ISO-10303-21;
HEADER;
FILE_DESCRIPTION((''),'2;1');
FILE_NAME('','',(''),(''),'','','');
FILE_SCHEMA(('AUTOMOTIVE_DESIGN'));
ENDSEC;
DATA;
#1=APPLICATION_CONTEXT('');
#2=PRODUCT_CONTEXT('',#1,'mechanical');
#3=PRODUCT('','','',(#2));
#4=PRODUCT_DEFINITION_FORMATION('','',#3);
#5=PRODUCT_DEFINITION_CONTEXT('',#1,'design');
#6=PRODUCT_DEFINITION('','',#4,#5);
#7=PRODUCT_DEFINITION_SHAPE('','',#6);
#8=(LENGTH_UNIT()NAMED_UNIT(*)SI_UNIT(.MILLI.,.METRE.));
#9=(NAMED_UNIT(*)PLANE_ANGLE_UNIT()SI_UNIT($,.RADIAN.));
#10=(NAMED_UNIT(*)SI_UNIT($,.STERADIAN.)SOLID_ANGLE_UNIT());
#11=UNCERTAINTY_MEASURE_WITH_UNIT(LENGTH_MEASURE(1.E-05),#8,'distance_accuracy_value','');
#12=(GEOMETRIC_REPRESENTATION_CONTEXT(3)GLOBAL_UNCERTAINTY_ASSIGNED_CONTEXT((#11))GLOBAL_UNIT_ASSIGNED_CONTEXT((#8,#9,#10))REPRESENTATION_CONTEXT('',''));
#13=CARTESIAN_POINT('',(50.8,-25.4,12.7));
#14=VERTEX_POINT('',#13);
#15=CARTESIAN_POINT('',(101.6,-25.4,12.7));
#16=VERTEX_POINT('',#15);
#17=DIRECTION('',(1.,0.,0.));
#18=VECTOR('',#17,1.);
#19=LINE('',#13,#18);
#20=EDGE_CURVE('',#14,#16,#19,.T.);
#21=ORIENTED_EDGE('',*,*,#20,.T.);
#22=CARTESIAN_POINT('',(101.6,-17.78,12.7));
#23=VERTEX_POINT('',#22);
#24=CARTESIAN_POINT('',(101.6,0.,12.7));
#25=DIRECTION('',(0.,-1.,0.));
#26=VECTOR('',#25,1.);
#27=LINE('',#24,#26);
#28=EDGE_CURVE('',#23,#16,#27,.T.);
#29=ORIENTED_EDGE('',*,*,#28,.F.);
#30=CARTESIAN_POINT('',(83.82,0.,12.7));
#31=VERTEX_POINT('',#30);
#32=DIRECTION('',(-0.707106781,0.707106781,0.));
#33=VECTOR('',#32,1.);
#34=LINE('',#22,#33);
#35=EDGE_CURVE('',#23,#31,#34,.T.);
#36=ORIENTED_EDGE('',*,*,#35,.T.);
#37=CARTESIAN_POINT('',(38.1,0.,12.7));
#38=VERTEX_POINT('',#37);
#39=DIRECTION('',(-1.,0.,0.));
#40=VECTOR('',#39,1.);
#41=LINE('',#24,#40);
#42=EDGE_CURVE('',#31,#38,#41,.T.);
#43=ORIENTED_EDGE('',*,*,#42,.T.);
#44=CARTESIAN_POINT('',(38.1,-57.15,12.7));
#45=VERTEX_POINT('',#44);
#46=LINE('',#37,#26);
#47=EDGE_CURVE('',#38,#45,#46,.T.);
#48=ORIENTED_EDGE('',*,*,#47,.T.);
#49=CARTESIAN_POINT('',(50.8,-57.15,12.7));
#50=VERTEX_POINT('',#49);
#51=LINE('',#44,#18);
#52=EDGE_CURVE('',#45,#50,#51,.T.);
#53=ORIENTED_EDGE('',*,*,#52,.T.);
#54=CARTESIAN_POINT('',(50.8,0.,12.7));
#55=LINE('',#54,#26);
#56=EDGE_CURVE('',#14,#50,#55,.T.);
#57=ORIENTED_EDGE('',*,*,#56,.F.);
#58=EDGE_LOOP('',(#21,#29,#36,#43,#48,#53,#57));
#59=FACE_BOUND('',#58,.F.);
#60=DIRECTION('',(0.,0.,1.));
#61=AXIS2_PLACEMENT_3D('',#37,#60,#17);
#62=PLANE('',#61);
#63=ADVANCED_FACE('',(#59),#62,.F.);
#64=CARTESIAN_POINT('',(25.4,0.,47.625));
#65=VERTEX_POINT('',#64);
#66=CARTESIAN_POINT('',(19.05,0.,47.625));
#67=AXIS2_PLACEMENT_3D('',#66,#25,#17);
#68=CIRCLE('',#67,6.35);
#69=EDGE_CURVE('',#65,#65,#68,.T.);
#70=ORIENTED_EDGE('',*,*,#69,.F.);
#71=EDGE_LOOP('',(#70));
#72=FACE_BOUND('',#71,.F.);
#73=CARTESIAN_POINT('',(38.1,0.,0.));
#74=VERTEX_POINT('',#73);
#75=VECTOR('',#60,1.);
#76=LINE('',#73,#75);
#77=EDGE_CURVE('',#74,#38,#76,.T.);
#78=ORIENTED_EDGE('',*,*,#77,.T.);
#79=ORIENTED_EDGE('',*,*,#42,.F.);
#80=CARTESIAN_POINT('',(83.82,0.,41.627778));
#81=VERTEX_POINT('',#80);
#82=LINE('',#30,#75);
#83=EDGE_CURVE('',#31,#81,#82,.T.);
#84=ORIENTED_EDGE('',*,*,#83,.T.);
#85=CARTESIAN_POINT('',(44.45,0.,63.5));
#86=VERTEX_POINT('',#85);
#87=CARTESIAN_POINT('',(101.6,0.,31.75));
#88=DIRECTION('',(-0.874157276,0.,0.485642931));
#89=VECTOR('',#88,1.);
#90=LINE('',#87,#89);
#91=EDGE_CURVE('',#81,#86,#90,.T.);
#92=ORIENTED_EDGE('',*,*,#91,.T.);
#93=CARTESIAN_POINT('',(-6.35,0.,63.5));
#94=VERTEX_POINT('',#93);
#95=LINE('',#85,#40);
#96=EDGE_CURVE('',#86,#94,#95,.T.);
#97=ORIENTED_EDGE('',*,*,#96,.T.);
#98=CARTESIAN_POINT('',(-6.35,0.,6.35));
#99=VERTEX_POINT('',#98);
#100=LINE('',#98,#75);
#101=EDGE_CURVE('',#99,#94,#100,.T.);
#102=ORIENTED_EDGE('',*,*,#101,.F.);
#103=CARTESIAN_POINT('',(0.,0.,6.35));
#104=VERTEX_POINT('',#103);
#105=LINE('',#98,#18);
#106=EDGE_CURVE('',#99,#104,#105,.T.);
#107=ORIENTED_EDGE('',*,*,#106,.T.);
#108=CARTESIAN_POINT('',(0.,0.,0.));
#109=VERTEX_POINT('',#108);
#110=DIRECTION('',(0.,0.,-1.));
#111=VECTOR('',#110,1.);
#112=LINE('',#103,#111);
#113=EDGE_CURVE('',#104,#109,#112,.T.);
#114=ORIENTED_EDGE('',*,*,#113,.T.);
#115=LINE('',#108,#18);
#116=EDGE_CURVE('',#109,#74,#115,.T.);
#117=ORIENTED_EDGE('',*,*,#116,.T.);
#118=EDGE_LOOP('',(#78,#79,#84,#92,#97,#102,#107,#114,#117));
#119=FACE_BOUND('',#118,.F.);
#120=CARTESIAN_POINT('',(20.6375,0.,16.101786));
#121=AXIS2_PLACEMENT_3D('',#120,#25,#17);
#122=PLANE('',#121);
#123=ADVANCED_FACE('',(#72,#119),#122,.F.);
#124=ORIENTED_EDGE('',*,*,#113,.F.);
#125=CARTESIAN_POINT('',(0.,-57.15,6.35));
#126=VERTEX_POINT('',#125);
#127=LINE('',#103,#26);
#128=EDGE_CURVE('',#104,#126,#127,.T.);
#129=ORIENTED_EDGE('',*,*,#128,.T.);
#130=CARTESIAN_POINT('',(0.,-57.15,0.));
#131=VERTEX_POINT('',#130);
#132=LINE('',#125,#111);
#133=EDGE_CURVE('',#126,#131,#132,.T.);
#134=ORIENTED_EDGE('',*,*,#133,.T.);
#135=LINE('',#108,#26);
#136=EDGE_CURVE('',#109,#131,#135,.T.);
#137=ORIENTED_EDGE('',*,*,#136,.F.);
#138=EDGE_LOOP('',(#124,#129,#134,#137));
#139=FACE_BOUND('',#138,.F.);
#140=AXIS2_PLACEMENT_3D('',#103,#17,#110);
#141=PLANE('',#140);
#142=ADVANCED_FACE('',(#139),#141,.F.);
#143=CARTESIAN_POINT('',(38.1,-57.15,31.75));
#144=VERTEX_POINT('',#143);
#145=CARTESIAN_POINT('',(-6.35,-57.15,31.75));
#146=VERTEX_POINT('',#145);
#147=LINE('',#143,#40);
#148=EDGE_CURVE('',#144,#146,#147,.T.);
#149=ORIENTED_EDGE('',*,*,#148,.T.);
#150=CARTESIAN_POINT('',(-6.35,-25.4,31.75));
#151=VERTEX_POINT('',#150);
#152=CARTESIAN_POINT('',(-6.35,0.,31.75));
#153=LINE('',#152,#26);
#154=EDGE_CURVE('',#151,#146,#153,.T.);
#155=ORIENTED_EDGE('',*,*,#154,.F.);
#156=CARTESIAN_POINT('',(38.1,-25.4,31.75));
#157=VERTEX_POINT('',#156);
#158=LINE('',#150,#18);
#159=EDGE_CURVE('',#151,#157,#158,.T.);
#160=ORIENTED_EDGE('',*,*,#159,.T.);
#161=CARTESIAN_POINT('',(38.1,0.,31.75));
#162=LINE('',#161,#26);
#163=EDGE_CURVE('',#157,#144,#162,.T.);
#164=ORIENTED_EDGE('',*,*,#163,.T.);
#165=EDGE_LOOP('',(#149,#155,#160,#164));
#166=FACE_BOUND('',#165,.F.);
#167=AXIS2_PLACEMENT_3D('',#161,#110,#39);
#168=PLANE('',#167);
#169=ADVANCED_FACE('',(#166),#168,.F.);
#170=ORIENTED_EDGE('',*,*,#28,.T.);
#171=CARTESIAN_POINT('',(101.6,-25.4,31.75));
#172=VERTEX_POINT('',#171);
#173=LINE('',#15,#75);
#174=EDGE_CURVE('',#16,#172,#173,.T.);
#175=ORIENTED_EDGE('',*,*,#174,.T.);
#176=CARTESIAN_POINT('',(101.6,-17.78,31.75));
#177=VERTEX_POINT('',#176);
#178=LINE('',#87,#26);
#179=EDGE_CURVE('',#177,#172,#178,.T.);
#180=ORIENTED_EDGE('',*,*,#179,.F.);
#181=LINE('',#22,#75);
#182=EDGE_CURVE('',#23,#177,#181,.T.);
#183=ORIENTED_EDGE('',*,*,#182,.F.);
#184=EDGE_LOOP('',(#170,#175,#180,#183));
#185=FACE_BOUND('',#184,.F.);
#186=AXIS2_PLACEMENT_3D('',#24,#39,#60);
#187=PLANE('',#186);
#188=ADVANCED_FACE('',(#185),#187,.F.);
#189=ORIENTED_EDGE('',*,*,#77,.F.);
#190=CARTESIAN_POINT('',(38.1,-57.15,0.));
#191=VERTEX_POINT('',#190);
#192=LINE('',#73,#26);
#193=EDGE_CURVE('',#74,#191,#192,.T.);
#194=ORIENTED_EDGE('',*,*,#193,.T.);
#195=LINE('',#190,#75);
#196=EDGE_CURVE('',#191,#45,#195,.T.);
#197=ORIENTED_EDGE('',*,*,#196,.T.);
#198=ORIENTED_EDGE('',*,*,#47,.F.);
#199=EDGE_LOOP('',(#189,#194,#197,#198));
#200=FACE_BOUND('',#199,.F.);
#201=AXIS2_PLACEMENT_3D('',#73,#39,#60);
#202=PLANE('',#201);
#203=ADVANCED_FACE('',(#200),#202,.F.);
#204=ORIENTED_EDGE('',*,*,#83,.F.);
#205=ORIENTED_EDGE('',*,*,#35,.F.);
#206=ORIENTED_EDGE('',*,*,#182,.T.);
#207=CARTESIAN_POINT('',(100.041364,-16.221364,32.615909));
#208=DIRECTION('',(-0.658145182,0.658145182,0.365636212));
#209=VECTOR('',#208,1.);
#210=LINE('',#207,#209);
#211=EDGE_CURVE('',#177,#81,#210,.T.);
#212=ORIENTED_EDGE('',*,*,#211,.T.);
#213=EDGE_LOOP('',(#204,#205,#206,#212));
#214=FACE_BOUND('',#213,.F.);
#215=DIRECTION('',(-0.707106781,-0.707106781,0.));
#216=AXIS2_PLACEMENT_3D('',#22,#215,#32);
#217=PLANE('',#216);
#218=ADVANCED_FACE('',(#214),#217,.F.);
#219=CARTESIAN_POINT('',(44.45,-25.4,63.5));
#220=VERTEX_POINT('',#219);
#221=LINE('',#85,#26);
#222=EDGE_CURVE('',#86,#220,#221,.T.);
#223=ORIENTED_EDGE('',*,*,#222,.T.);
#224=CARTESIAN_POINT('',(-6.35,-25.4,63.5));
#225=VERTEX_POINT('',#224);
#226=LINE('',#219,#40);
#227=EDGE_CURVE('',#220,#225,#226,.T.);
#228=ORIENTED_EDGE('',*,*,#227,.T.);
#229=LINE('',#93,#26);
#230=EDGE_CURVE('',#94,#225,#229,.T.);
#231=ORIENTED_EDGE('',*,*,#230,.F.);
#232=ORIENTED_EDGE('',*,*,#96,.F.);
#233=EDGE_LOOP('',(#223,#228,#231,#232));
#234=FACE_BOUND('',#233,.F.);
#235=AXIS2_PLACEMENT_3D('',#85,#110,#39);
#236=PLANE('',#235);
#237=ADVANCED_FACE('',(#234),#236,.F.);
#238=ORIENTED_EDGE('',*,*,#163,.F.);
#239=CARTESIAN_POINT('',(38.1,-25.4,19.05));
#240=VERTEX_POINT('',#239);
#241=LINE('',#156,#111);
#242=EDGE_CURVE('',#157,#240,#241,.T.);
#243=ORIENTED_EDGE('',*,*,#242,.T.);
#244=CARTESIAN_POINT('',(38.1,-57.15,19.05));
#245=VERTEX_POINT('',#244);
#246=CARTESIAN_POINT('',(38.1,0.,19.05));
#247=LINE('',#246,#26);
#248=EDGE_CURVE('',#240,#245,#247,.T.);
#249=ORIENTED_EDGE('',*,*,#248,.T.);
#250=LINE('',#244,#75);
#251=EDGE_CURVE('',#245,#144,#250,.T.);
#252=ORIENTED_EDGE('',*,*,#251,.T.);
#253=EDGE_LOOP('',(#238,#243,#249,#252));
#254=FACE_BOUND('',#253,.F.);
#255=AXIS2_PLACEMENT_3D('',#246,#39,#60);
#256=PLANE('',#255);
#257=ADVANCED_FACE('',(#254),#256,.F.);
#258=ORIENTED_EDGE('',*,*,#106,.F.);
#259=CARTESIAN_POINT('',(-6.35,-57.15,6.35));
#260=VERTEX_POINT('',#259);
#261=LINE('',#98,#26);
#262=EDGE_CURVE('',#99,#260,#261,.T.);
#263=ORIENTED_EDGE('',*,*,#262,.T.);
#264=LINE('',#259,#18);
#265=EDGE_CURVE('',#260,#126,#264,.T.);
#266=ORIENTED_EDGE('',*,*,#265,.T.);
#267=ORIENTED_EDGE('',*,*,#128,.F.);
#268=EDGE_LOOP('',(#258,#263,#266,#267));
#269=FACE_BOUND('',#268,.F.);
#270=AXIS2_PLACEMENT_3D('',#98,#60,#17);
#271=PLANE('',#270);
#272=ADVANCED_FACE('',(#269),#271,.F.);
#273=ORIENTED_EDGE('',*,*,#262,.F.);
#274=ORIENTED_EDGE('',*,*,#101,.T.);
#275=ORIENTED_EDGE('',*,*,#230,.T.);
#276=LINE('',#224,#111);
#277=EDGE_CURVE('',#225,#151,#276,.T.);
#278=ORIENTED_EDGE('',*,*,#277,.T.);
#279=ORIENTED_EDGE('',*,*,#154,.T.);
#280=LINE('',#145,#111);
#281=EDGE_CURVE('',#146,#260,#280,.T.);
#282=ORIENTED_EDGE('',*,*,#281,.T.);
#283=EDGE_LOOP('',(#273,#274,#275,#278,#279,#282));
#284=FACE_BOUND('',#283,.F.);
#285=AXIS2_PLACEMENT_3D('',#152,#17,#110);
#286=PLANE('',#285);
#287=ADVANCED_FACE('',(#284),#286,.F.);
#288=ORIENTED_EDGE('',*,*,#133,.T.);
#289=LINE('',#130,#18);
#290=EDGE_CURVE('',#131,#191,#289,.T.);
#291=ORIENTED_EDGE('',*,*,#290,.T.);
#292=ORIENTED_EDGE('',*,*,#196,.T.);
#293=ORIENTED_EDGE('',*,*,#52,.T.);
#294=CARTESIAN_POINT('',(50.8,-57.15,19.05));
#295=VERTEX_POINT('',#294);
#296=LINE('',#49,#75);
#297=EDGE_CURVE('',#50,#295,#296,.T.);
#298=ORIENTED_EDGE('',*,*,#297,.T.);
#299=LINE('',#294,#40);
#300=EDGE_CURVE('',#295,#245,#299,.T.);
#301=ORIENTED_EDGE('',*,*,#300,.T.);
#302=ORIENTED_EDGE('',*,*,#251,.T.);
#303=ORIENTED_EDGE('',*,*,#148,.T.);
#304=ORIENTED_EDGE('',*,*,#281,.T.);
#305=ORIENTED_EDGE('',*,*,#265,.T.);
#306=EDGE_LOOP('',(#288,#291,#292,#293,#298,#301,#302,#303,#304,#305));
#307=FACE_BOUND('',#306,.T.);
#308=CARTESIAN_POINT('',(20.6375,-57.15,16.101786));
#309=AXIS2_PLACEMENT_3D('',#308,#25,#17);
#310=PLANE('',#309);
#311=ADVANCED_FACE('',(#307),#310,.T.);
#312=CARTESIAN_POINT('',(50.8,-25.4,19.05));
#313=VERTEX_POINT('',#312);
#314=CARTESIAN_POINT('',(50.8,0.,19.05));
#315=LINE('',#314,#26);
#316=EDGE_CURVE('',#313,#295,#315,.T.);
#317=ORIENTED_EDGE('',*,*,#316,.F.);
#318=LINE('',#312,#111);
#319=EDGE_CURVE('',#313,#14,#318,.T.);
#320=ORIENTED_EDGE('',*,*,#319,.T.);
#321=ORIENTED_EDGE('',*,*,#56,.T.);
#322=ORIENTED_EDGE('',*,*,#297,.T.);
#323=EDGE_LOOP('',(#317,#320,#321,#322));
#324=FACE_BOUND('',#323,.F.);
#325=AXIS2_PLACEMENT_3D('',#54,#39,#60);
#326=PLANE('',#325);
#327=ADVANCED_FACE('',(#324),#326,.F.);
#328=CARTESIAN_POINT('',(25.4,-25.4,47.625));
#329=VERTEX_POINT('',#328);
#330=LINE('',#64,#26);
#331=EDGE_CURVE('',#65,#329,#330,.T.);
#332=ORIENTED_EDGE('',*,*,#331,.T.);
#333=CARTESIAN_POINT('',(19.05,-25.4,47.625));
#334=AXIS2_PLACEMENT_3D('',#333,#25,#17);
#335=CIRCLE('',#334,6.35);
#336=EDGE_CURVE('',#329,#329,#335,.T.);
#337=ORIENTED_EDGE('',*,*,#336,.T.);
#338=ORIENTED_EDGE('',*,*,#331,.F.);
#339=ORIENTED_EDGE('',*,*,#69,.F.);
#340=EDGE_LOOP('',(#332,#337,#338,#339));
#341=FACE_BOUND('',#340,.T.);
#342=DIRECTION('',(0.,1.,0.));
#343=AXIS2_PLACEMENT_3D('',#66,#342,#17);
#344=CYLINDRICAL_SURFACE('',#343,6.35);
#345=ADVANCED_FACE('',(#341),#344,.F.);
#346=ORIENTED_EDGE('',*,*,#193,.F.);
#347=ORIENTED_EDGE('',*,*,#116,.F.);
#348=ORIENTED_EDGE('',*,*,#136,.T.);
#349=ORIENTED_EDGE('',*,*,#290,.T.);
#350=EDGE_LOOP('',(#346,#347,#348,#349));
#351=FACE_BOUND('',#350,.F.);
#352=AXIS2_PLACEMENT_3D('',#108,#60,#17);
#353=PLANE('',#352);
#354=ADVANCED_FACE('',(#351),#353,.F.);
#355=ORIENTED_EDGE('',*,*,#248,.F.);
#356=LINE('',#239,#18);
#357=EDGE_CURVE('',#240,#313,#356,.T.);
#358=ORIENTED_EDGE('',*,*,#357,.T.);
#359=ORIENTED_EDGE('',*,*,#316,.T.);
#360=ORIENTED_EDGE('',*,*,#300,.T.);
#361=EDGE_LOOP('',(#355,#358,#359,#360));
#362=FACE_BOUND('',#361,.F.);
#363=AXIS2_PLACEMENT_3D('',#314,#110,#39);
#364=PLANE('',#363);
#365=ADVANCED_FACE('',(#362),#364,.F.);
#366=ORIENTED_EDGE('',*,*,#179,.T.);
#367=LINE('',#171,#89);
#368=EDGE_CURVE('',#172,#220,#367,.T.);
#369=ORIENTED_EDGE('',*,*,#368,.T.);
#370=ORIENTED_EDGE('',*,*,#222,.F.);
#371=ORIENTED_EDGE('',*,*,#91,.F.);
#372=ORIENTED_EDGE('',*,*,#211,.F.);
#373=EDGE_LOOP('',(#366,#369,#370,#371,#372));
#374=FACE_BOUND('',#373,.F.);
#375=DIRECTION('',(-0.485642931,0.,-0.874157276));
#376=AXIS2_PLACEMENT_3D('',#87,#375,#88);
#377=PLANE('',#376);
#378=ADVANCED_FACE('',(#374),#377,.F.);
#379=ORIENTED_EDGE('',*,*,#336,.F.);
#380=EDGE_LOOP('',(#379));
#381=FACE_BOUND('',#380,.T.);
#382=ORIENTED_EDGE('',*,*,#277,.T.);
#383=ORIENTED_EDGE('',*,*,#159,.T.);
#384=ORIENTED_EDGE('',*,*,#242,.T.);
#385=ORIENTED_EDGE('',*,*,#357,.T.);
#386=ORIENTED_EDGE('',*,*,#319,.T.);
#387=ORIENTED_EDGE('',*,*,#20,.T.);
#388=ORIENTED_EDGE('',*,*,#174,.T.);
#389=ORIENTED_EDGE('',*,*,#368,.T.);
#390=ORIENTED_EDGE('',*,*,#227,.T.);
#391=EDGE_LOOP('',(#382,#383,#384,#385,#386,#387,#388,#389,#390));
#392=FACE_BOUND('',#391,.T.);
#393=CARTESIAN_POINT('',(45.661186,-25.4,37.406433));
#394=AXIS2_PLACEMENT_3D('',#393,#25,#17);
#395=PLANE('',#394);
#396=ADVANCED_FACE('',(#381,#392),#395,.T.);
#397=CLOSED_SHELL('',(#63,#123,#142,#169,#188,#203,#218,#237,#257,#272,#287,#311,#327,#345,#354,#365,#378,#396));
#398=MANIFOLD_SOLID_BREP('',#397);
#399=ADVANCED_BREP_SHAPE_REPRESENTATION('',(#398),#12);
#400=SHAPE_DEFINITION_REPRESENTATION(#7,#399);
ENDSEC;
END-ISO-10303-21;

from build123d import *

# Parameters (mm, degrees)
F0_R     = 6.35
F1_DEPTH = 25.4
F2_DEPTH = 57.15
F4_DEPTH = 50.801


with BuildPart() as f1:
    # F0 (on Front) → F1 (new body)
    with BuildSketch(Plane.XZ):
        Polygon((-6.35, 63.5), (-6.35, 31.75), (38.1, 31.75), (38.1, 19.05), (50.8, 19.05), (50.8, 12.7), (101.6, 12.7), (101.6, 31.75), (44.45, 63.5), align=None)
        with Locations((19.05, 47.625)):
            Circle(F0_R, mode=Mode.SUBTRACT)
    extrude(amount=F1_DEPTH)

    # F0 (on Front) → F2 (join)
    with BuildSketch(Plane.XZ):
        Polygon((0, 6.35), (0, 0), (38.1, 0), (38.1, 12.7), (50.8, 12.7), (50.8, 19.05), (38.1, 19.05), (38.1, 31.75), (-6.35, 31.75), (-6.35, 6.35), align=None)
    extrude(amount=F2_DEPTH)

    # F3 (on face) → F4 (cut, through all)
    with BuildSketch(Plane(origin=(0, 0, 12.7), x_dir=(1, 0, 0), z_dir=(0, 0, -1))):
        Polygon((101.6, 0), (101.6, 17.78), (83.82, 0), align=None)
    extrude(amount=-F4_DEPTH, mode=Mode.SUBTRACT)


solid = f1.part
